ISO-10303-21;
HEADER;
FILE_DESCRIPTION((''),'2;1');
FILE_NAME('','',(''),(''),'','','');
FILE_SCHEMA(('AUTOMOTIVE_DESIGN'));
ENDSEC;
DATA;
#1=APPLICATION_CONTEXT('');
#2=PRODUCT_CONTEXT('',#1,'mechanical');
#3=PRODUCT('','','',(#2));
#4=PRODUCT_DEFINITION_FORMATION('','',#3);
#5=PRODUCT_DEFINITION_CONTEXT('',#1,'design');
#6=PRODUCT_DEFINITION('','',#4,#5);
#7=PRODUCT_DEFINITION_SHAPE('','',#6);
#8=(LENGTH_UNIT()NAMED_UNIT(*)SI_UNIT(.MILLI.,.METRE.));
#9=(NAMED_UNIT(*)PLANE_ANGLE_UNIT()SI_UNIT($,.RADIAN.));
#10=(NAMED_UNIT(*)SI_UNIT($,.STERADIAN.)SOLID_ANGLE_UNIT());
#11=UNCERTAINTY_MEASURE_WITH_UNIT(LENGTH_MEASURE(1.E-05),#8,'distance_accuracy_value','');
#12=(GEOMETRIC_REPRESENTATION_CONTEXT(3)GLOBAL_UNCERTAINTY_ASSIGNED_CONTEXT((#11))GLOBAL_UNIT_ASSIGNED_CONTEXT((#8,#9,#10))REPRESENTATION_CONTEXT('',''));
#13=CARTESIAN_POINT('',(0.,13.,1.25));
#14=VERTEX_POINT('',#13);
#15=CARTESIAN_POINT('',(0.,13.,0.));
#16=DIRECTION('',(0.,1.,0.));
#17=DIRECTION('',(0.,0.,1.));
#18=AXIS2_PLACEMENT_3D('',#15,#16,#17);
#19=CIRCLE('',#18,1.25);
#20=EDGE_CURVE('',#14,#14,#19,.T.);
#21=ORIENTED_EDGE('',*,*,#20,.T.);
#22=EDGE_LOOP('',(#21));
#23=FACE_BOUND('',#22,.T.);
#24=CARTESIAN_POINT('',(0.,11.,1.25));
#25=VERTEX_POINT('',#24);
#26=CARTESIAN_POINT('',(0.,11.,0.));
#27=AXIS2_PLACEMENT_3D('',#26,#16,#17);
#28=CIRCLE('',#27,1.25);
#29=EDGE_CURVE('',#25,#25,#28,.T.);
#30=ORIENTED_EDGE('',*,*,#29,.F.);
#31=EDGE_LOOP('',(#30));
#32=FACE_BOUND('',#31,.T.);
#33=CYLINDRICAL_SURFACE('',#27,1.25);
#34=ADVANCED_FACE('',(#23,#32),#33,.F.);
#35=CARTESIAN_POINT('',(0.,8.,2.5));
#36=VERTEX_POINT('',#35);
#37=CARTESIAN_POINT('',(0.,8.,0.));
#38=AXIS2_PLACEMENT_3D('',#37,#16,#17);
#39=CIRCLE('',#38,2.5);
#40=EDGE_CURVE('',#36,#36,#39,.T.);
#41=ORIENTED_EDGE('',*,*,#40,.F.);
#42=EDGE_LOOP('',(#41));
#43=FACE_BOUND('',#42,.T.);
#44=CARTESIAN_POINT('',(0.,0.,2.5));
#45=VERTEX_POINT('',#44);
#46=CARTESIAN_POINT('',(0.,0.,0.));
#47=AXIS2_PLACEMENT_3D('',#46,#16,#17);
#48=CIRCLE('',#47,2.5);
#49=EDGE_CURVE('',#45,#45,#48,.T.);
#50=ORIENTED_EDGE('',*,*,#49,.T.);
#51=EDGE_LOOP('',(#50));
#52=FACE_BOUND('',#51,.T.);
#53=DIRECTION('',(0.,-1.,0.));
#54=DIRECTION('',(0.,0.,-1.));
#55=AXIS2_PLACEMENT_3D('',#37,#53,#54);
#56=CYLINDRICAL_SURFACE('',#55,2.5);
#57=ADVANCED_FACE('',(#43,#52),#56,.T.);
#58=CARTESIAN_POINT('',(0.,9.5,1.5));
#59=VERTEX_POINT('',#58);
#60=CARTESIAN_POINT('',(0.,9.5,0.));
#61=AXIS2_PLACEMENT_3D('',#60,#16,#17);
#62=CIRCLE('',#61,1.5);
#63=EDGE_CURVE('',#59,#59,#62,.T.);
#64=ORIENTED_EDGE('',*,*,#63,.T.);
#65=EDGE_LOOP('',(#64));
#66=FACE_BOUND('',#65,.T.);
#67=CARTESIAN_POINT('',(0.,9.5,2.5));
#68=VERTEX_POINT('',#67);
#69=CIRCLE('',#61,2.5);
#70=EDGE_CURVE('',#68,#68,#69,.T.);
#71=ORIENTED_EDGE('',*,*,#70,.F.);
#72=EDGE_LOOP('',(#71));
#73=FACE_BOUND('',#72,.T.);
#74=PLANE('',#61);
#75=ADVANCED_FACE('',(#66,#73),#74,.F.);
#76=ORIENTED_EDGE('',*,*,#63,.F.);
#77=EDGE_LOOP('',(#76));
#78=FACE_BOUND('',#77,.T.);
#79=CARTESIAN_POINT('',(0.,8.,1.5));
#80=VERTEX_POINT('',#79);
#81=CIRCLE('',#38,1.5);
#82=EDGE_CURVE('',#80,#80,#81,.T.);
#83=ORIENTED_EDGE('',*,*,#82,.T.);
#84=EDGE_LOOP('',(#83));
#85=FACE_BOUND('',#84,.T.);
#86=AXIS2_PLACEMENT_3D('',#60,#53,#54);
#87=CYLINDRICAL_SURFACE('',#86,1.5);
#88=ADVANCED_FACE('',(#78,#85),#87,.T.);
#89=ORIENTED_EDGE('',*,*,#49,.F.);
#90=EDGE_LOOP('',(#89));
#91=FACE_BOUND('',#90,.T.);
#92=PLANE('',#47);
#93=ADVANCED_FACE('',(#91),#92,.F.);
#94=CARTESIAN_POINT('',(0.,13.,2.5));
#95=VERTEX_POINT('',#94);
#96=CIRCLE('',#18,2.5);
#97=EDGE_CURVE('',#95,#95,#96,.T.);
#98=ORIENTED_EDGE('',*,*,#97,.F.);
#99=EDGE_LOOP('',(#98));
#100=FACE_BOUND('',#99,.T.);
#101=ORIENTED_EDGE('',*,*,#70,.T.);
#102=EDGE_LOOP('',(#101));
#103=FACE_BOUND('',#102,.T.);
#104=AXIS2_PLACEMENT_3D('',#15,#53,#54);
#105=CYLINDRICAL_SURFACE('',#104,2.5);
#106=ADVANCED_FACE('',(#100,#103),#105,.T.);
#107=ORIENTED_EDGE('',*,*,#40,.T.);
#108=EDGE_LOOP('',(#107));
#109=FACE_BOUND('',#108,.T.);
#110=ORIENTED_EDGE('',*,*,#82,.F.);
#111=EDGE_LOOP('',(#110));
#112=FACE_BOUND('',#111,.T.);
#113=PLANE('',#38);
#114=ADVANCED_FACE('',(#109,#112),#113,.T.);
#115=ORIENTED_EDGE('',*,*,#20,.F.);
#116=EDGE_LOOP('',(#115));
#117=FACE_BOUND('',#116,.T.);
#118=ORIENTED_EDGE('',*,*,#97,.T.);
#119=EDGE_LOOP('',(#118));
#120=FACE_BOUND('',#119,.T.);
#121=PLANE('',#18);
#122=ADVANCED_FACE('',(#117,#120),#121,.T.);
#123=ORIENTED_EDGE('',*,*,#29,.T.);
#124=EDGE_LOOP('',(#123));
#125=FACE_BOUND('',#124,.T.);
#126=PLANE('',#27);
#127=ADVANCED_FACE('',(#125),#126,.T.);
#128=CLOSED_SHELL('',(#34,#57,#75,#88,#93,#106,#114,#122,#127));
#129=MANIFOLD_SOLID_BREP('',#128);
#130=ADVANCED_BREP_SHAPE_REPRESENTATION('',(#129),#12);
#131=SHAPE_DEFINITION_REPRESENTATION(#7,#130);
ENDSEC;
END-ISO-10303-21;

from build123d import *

# Parameters (mm, degrees)
SKETCH1_R           = 2.5
BOSS_EXTRUDE1_DEPTH = 8
SKETCH2_R           = 1.5
BOSS_EXTRUDE2_DEPTH = 1.5
SKETCH3_R           = 2.5
BOSS_EXTRUDE3_DEPTH = 3.5
SKETCH4_R           = 1.25
CUT_EXTRUDE1_DEPTH  = 2


with BuildPart() as part:
    # Sketch1 → Boss-Extrude1 (new body)
    with BuildSketch(Plane(origin=(0, 0, 0), x_dir=(1, 0, 0), z_dir=(0, 1, 0))):
        with Locations(Location((0, 0, 0), (0, 0, 270))):
            Circle(SKETCH1_R)
    extrude(amount=BOSS_EXTRUDE1_DEPTH)

    # Sketch2 → Boss-Extrude2 (add)
    with BuildSketch(Plane(origin=(0, 8, 0), x_dir=(1, 0, 0), z_dir=(0, 1, 0))):
        with Locations(Location((0, 0, 0), (0, 0, 270))):
            Circle(SKETCH2_R)
    extrude(amount=BOSS_EXTRUDE2_DEPTH)

    # Sketch3 → Boss-Extrude3 (add)
    with BuildSketch(Plane(origin=(0, 9.5, 0), x_dir=(1, 0, 0), z_dir=(0, 1, 0))):
        with Locations(Location((0, 0, 0), (0, 0, 270))):
            Circle(SKETCH3_R)
    extrude(amount=BOSS_EXTRUDE3_DEPTH)

    # Sketch4 → Cut-Extrude1 (cut)
    with BuildSketch(Plane(origin=(0, 13, 0), x_dir=(1, 0, 0), z_dir=(0, 1, 0))):
        with Locations(Location((0, 0, 0), (0, 0, 270))):
            Circle(SKETCH4_R)
    extrude(amount=-CUT_EXTRUDE1_DEPTH, mode=Mode.SUBTRACT)


solid = part.part
